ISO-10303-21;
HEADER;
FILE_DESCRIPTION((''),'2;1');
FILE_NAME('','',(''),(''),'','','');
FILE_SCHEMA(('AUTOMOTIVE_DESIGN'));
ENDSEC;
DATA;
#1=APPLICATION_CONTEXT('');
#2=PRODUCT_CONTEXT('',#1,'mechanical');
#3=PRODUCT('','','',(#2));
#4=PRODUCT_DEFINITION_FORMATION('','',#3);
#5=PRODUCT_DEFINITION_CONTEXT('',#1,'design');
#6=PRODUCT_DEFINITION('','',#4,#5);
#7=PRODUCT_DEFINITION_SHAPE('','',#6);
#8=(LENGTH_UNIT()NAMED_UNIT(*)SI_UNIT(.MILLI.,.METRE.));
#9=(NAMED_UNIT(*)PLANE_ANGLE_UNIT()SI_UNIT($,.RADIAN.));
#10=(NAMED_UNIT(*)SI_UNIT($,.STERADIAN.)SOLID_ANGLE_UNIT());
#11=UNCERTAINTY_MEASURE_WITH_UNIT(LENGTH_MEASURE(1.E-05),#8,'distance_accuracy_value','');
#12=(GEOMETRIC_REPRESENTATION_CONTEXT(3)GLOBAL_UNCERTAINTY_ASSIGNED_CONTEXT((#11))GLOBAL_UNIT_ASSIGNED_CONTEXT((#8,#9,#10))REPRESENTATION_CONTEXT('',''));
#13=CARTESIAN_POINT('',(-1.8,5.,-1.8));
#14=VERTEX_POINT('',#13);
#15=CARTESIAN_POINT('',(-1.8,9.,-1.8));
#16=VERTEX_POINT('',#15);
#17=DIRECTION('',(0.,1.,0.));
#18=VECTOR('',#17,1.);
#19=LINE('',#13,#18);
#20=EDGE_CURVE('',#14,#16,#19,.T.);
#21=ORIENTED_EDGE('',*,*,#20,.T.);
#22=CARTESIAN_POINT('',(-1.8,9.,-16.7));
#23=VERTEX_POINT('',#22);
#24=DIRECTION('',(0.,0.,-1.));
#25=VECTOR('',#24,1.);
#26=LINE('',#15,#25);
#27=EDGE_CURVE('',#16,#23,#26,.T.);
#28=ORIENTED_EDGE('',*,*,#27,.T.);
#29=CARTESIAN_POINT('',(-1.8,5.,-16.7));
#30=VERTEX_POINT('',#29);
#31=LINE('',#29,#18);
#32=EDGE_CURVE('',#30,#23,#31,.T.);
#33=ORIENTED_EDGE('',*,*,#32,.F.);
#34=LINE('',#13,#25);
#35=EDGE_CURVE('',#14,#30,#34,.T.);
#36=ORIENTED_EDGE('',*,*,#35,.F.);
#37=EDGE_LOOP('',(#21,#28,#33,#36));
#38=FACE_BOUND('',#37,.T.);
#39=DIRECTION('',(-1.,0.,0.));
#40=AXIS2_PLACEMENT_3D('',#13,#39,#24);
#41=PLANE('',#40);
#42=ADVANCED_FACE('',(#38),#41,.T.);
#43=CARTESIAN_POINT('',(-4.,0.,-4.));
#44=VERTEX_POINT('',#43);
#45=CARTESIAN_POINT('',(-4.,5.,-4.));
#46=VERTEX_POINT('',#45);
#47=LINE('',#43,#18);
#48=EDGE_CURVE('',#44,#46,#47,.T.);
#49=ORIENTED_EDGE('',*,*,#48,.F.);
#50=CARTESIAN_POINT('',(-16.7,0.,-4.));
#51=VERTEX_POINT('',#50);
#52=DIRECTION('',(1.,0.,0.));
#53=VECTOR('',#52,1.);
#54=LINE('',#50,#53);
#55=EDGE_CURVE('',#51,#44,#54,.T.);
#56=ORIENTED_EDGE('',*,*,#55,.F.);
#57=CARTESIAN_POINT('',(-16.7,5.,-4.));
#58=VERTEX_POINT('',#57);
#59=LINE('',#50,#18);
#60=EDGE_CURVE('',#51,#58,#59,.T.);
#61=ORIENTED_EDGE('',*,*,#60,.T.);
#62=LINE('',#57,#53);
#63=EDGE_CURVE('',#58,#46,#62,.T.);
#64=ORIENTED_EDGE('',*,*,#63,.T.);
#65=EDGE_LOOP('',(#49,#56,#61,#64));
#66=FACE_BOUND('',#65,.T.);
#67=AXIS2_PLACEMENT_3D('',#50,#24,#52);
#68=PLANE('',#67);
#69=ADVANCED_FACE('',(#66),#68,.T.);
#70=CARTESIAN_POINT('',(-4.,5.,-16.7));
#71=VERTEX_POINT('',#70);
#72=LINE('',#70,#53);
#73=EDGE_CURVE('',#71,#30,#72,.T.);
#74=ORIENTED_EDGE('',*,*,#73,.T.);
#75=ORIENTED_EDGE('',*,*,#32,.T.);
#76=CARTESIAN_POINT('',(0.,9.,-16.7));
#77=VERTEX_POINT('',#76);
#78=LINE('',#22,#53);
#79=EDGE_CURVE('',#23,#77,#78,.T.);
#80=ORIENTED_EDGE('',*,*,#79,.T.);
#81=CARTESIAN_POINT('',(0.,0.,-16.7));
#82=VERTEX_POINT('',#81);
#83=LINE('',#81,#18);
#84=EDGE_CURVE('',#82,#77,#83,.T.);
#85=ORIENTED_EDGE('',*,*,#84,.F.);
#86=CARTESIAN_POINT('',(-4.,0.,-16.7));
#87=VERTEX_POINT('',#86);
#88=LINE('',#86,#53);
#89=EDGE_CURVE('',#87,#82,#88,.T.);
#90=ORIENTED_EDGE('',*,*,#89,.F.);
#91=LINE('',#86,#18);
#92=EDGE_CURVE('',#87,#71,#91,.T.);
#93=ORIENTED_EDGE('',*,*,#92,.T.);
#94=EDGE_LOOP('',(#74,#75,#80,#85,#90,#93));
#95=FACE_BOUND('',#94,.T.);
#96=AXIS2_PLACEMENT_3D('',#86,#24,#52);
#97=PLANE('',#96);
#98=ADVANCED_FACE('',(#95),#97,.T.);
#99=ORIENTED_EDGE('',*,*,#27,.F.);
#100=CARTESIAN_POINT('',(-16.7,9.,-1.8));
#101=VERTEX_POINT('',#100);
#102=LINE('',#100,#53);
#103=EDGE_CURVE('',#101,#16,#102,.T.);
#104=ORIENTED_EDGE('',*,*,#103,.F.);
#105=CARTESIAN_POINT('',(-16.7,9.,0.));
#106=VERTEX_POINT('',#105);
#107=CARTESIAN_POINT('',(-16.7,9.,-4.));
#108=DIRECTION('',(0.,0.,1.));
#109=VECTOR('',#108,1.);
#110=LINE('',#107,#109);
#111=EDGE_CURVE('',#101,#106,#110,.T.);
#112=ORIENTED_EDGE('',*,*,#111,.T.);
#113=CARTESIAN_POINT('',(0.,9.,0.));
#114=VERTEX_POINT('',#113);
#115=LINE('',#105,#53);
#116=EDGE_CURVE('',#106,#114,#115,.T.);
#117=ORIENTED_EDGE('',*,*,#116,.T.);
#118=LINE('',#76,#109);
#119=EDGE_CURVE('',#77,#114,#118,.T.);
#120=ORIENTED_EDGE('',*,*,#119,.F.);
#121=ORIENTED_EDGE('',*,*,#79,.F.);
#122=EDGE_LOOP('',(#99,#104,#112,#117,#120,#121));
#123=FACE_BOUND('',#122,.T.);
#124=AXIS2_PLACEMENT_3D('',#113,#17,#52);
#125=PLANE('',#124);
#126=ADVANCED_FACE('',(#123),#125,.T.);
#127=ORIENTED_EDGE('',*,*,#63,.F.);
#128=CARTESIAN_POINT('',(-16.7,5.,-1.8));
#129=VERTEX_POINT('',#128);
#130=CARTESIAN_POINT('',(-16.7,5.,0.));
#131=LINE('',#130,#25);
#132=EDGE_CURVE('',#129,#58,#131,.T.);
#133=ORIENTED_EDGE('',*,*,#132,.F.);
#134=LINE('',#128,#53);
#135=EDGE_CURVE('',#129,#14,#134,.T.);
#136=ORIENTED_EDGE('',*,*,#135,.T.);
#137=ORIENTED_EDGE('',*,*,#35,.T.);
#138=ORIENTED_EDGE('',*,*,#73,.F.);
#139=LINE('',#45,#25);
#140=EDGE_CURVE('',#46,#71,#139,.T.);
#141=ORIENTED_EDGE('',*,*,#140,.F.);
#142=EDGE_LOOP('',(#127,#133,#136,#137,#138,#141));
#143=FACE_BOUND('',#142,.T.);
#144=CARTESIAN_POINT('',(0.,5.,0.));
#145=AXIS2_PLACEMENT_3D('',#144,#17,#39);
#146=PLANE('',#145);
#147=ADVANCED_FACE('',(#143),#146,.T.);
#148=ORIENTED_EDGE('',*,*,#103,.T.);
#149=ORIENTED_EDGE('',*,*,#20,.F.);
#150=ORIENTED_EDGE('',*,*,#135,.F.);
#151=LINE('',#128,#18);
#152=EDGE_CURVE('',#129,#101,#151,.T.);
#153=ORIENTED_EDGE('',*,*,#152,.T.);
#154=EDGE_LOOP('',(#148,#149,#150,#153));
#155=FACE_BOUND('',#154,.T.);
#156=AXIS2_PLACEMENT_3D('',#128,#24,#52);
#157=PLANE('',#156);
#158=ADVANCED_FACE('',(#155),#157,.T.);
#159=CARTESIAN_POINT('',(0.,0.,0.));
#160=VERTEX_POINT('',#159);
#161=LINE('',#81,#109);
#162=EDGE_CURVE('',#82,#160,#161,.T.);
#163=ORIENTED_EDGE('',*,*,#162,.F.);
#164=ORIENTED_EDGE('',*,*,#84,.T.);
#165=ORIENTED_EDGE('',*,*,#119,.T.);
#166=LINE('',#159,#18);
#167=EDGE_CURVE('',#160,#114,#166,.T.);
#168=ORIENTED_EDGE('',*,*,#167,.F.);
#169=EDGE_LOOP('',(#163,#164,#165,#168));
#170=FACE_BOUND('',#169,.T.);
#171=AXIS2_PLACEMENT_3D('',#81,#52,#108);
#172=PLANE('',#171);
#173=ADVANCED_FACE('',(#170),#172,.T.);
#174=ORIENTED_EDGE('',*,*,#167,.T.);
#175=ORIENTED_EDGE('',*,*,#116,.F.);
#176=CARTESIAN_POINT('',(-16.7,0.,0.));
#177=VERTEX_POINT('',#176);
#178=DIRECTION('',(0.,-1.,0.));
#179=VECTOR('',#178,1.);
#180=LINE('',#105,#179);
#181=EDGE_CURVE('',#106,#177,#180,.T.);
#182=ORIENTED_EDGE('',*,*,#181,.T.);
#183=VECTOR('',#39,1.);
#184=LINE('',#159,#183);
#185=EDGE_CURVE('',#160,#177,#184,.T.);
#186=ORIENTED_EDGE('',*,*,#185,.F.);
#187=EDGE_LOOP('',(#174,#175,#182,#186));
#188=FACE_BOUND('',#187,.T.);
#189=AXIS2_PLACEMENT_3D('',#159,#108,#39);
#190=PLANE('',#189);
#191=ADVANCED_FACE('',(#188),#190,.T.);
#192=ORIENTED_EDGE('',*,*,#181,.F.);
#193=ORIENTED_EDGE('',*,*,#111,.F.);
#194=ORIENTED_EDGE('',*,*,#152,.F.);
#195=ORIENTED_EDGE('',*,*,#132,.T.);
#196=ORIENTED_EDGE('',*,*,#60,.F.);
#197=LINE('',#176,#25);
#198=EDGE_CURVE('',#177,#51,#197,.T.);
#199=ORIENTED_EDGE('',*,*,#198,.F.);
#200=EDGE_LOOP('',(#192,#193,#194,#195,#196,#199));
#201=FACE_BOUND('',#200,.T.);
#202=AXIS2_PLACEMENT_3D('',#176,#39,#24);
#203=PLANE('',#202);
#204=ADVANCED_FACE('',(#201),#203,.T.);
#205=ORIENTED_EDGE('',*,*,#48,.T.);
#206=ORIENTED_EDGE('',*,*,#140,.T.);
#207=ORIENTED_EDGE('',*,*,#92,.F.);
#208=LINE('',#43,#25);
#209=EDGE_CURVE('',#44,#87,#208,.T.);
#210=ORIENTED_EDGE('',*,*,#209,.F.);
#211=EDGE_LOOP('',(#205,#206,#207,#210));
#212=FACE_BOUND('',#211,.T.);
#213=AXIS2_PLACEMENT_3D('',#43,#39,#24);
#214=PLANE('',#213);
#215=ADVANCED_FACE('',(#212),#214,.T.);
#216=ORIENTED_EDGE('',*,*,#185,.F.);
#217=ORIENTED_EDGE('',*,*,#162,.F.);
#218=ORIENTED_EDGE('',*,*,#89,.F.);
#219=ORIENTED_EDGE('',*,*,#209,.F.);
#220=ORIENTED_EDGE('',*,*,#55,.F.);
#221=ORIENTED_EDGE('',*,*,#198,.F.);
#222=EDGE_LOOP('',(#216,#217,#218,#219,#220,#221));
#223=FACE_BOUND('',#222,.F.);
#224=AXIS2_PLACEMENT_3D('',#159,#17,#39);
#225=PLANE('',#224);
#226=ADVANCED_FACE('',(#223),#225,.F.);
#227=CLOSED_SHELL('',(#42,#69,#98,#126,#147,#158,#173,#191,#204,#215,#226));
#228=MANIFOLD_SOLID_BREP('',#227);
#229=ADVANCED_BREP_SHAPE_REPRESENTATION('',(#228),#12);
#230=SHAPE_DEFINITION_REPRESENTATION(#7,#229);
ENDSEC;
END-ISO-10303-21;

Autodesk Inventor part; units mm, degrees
ref_plane "YZ Plane" through (0, 0, 0) normal (1, 0, 0) x (0, 1, 0)
ref_plane "XZ Plane" through (0, 0, 0) normal (0, 1, 0) x (-1, 0, 0)
ref_plane "XY Plane" through (0, 0, 0) normal (0, 0, 1) x (1, 0, 0)
sketch "Sketch1" plane through (0, 0, 0) normal (0, 1, 0) x (-1, 0, 0)
  line L0 (0, 0) -> (16.7, 0)
  line L1 (16.7, 0) -> (16.7, -4)
  line L2 (16.7, -4) -> (4, -4)
  line L3 (4, -4) -> (4, -16.7)
  line L4 (4, -16.7) -> (0, -16.7)
  line L5 (0, -16.7) -> (0, 0)
  dimension "d0" = 16.7
  dimension "d1" = 4
  dimension "d2" = 4
  dimension "d3" = 16.7
extrude "Extrusion1" add sketch "Sketch1" along normal blind 5
sketch "Sketch2" plane through (0, 5, 0) normal (0, 1, 0) x (1, 0, 0)
  line L0 (-16.7, 4) -> (-16.7, 0) projected
  line L1 (-16.7, 0) -> (-16.7, 1.8)
  line L2 (-16.7, 1.8) -> (-1.8, 1.8)
  line L3 (-1.8, 1.8) -> (-1.8, 16.7)
  line L4 (-1.8, 16.7) -> (0, 16.7)
  line L5 (-16.7, 0) -> (0, 0) projected
  line L6 (0, 16.7) -> (0, 0)
  line L7 (-16.7, 0) -> (0, 0)
  dimension "d6" = 1.8
  dimension "d7" = 1.8
  dimension "d8" = 16.7
extrude "Extrusion2" add sketch "Sketch2" along normal blind 4
properties part number "TestingPlatform_stackFeet01"
